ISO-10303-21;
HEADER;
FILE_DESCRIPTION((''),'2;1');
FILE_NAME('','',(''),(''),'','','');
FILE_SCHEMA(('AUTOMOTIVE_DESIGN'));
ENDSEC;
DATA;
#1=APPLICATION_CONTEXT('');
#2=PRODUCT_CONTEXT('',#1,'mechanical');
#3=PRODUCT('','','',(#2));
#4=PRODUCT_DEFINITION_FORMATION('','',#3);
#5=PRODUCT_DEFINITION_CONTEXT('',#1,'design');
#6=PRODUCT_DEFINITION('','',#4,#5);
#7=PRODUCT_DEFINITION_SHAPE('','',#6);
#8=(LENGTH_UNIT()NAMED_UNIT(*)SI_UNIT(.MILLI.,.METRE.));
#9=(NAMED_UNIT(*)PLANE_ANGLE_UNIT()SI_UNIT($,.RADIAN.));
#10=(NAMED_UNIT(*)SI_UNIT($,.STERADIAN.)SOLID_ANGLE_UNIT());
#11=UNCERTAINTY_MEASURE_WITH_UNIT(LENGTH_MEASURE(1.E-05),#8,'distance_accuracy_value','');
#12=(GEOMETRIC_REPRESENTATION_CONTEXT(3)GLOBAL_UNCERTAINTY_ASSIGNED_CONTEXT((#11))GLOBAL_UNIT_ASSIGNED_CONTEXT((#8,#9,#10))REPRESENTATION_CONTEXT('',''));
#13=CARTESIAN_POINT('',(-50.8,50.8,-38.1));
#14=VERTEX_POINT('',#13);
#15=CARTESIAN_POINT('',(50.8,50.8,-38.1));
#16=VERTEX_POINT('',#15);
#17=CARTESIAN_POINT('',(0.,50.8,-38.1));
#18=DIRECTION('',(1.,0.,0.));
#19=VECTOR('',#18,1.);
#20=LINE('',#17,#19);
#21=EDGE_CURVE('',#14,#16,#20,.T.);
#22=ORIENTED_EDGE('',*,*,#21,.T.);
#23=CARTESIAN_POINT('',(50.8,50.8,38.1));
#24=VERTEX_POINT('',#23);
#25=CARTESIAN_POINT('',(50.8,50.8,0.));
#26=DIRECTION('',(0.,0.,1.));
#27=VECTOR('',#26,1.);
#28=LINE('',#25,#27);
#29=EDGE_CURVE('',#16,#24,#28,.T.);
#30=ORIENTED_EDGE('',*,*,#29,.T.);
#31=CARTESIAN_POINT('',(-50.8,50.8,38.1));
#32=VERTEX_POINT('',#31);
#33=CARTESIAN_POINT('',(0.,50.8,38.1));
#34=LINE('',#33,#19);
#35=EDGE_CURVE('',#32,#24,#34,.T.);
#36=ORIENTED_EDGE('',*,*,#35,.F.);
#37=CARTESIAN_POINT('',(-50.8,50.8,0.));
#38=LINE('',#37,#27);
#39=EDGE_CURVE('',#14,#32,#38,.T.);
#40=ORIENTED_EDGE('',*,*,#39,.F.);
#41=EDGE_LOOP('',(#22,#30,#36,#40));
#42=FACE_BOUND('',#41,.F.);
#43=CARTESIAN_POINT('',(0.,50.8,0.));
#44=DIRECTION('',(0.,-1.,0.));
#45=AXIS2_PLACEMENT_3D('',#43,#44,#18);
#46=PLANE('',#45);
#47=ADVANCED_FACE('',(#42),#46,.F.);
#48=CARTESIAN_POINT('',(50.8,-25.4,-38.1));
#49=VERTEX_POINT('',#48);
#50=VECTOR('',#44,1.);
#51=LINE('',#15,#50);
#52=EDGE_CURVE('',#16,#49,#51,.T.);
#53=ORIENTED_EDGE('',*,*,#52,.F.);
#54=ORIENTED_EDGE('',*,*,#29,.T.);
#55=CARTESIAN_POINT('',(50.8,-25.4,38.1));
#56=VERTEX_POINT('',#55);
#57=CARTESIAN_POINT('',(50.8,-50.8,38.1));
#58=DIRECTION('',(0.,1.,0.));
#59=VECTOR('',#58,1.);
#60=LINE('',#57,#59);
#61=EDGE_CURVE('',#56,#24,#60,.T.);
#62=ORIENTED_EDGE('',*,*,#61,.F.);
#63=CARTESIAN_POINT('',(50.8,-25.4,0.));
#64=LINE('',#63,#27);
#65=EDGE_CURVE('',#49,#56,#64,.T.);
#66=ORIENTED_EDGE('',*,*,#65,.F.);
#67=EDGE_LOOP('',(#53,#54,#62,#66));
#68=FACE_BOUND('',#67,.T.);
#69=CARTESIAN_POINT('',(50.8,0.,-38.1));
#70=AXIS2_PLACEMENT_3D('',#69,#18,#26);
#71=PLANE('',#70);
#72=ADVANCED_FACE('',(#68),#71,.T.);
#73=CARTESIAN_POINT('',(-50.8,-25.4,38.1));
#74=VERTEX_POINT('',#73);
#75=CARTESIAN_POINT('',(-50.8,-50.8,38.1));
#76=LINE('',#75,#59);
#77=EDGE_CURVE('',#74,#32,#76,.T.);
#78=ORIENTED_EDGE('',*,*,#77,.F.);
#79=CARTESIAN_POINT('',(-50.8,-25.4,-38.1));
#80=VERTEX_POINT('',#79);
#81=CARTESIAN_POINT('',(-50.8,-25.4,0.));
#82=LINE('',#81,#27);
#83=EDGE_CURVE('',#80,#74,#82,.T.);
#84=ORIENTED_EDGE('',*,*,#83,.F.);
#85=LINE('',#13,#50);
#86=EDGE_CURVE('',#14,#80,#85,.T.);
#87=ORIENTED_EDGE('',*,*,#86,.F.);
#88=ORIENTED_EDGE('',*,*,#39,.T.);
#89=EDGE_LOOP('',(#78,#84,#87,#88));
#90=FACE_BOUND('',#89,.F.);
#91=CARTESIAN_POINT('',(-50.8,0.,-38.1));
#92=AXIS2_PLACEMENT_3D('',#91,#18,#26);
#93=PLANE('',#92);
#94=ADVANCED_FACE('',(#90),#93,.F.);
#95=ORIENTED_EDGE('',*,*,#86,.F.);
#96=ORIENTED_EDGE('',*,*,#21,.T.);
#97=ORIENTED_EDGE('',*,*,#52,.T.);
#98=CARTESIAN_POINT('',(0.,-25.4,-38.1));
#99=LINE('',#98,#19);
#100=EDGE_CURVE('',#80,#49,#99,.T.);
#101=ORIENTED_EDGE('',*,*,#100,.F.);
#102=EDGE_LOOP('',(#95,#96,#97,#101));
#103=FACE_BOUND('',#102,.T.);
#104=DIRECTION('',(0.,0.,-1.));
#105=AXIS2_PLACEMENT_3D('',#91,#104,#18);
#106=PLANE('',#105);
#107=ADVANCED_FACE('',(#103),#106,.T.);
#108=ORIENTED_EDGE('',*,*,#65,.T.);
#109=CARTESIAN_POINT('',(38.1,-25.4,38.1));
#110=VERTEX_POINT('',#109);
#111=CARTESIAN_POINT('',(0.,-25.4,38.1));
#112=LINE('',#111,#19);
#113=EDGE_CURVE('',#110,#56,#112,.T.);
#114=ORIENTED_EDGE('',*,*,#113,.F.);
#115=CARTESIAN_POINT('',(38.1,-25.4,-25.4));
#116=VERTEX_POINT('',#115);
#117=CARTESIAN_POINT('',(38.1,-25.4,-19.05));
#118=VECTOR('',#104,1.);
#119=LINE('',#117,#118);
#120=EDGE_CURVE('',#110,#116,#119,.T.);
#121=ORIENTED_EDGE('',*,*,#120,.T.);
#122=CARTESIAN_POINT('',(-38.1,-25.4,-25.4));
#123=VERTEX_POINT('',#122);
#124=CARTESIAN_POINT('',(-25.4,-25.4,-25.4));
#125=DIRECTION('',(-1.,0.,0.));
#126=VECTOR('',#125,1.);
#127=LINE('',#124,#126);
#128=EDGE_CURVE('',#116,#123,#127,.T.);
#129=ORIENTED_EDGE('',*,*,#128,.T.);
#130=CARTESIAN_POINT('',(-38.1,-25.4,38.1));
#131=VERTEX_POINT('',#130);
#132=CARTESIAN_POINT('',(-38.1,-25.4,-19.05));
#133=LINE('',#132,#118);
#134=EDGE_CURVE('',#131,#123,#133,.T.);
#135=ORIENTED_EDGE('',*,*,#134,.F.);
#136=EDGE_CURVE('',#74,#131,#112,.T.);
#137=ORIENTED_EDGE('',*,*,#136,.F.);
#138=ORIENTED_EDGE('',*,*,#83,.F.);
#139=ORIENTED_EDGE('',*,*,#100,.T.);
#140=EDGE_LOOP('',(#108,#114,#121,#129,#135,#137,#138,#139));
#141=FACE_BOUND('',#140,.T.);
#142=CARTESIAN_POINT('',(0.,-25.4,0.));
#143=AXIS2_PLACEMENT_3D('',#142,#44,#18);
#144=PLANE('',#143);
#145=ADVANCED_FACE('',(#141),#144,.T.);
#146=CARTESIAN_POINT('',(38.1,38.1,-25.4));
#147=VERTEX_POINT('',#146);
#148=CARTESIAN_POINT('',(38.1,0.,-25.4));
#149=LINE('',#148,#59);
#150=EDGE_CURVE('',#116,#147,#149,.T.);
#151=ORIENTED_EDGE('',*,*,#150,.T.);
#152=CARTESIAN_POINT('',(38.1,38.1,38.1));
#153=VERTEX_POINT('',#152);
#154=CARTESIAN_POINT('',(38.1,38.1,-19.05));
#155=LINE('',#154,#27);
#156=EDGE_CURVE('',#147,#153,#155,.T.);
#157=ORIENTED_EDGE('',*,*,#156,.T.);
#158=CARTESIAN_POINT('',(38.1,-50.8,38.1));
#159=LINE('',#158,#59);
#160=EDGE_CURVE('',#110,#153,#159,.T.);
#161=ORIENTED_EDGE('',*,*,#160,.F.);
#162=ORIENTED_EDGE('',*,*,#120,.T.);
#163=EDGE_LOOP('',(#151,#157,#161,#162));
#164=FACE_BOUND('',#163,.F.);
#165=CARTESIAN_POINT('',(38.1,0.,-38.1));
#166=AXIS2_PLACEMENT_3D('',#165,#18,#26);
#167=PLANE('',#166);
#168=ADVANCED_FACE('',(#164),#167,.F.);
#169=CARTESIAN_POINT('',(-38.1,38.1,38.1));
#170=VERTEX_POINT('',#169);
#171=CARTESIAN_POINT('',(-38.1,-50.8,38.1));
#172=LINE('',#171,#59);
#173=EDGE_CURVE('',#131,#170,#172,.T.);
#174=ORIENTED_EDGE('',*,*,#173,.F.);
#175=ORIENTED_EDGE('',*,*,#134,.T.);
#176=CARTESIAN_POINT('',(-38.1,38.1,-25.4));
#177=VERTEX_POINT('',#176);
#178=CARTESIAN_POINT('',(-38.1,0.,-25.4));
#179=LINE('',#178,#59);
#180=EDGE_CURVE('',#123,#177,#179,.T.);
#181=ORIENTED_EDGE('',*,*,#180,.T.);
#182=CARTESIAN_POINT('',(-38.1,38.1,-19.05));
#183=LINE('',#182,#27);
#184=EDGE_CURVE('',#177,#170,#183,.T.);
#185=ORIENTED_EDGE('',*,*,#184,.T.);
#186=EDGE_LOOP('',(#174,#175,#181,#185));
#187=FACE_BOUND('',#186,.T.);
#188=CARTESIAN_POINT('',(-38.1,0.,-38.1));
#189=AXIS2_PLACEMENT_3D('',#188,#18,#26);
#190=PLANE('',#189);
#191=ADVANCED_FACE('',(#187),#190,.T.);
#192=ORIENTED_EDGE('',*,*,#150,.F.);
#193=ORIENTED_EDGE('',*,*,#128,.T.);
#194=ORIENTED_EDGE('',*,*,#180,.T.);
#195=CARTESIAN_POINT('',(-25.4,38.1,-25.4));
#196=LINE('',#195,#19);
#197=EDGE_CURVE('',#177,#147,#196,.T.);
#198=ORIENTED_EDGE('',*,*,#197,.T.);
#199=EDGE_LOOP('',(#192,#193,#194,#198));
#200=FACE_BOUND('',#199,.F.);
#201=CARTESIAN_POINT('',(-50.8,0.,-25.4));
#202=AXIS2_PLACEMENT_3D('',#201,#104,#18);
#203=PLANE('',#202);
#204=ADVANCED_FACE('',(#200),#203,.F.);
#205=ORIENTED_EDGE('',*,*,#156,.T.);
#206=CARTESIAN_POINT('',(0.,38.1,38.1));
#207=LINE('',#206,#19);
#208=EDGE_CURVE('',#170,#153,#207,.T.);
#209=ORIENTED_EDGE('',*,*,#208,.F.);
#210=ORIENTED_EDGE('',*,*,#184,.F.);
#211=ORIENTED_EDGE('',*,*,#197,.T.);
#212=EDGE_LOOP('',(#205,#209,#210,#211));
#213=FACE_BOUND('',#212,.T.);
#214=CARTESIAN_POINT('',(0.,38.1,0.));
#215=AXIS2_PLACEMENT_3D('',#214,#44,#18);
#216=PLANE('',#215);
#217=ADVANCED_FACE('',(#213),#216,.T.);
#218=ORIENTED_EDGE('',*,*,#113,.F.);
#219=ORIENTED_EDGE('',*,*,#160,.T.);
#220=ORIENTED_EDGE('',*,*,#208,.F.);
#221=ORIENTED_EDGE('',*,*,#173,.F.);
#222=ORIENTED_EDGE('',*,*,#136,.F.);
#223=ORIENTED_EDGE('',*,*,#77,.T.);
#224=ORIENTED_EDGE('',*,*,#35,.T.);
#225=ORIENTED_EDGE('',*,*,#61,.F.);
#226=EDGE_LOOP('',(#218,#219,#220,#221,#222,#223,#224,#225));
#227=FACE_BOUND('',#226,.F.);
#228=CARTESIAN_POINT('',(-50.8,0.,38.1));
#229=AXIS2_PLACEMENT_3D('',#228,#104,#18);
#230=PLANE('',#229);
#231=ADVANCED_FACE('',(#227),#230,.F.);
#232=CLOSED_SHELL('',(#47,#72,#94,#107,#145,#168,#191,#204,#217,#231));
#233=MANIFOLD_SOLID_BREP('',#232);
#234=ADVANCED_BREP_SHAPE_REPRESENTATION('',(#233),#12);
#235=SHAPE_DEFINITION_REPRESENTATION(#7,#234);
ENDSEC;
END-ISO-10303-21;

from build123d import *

# Parameters (mm, degrees)
F0_W          = 101.6
F0_H          = 76.2
F1_DEPTH      = 50.8
F1_DEPTH_BACK = 50.8
F2_T          = -12.7
F1_FACE_W     = 101.6
F1_FACE_H     = 76.2
F3_DEPTH      = 25.4


with BuildPart() as f1:
    # F0 (on Front) → F1 (new body, two sides)
    with BuildSketch(Plane.XZ) as f1_sk:
        Rectangle(F0_W, F0_H)
    extrude(amount=F1_DEPTH)
    extrude(f1_sk.sketch, amount=-F1_DEPTH_BACK)

    # F2
    f2_openings = [f1.faces().sort_by_distance(p)[0] for p in [
        (0, 0, 38.1),
    ]]
    offset(amount=F2_T, openings=f2_openings)

    # F1_face (on face) → F3 (cut)
    with BuildSketch(Plane.XZ.offset(50.8)):
        Rectangle(F1_FACE_W, F1_FACE_H)
    extrude(amount=-F3_DEPTH, mode=Mode.SUBTRACT)


solid = f1.part
